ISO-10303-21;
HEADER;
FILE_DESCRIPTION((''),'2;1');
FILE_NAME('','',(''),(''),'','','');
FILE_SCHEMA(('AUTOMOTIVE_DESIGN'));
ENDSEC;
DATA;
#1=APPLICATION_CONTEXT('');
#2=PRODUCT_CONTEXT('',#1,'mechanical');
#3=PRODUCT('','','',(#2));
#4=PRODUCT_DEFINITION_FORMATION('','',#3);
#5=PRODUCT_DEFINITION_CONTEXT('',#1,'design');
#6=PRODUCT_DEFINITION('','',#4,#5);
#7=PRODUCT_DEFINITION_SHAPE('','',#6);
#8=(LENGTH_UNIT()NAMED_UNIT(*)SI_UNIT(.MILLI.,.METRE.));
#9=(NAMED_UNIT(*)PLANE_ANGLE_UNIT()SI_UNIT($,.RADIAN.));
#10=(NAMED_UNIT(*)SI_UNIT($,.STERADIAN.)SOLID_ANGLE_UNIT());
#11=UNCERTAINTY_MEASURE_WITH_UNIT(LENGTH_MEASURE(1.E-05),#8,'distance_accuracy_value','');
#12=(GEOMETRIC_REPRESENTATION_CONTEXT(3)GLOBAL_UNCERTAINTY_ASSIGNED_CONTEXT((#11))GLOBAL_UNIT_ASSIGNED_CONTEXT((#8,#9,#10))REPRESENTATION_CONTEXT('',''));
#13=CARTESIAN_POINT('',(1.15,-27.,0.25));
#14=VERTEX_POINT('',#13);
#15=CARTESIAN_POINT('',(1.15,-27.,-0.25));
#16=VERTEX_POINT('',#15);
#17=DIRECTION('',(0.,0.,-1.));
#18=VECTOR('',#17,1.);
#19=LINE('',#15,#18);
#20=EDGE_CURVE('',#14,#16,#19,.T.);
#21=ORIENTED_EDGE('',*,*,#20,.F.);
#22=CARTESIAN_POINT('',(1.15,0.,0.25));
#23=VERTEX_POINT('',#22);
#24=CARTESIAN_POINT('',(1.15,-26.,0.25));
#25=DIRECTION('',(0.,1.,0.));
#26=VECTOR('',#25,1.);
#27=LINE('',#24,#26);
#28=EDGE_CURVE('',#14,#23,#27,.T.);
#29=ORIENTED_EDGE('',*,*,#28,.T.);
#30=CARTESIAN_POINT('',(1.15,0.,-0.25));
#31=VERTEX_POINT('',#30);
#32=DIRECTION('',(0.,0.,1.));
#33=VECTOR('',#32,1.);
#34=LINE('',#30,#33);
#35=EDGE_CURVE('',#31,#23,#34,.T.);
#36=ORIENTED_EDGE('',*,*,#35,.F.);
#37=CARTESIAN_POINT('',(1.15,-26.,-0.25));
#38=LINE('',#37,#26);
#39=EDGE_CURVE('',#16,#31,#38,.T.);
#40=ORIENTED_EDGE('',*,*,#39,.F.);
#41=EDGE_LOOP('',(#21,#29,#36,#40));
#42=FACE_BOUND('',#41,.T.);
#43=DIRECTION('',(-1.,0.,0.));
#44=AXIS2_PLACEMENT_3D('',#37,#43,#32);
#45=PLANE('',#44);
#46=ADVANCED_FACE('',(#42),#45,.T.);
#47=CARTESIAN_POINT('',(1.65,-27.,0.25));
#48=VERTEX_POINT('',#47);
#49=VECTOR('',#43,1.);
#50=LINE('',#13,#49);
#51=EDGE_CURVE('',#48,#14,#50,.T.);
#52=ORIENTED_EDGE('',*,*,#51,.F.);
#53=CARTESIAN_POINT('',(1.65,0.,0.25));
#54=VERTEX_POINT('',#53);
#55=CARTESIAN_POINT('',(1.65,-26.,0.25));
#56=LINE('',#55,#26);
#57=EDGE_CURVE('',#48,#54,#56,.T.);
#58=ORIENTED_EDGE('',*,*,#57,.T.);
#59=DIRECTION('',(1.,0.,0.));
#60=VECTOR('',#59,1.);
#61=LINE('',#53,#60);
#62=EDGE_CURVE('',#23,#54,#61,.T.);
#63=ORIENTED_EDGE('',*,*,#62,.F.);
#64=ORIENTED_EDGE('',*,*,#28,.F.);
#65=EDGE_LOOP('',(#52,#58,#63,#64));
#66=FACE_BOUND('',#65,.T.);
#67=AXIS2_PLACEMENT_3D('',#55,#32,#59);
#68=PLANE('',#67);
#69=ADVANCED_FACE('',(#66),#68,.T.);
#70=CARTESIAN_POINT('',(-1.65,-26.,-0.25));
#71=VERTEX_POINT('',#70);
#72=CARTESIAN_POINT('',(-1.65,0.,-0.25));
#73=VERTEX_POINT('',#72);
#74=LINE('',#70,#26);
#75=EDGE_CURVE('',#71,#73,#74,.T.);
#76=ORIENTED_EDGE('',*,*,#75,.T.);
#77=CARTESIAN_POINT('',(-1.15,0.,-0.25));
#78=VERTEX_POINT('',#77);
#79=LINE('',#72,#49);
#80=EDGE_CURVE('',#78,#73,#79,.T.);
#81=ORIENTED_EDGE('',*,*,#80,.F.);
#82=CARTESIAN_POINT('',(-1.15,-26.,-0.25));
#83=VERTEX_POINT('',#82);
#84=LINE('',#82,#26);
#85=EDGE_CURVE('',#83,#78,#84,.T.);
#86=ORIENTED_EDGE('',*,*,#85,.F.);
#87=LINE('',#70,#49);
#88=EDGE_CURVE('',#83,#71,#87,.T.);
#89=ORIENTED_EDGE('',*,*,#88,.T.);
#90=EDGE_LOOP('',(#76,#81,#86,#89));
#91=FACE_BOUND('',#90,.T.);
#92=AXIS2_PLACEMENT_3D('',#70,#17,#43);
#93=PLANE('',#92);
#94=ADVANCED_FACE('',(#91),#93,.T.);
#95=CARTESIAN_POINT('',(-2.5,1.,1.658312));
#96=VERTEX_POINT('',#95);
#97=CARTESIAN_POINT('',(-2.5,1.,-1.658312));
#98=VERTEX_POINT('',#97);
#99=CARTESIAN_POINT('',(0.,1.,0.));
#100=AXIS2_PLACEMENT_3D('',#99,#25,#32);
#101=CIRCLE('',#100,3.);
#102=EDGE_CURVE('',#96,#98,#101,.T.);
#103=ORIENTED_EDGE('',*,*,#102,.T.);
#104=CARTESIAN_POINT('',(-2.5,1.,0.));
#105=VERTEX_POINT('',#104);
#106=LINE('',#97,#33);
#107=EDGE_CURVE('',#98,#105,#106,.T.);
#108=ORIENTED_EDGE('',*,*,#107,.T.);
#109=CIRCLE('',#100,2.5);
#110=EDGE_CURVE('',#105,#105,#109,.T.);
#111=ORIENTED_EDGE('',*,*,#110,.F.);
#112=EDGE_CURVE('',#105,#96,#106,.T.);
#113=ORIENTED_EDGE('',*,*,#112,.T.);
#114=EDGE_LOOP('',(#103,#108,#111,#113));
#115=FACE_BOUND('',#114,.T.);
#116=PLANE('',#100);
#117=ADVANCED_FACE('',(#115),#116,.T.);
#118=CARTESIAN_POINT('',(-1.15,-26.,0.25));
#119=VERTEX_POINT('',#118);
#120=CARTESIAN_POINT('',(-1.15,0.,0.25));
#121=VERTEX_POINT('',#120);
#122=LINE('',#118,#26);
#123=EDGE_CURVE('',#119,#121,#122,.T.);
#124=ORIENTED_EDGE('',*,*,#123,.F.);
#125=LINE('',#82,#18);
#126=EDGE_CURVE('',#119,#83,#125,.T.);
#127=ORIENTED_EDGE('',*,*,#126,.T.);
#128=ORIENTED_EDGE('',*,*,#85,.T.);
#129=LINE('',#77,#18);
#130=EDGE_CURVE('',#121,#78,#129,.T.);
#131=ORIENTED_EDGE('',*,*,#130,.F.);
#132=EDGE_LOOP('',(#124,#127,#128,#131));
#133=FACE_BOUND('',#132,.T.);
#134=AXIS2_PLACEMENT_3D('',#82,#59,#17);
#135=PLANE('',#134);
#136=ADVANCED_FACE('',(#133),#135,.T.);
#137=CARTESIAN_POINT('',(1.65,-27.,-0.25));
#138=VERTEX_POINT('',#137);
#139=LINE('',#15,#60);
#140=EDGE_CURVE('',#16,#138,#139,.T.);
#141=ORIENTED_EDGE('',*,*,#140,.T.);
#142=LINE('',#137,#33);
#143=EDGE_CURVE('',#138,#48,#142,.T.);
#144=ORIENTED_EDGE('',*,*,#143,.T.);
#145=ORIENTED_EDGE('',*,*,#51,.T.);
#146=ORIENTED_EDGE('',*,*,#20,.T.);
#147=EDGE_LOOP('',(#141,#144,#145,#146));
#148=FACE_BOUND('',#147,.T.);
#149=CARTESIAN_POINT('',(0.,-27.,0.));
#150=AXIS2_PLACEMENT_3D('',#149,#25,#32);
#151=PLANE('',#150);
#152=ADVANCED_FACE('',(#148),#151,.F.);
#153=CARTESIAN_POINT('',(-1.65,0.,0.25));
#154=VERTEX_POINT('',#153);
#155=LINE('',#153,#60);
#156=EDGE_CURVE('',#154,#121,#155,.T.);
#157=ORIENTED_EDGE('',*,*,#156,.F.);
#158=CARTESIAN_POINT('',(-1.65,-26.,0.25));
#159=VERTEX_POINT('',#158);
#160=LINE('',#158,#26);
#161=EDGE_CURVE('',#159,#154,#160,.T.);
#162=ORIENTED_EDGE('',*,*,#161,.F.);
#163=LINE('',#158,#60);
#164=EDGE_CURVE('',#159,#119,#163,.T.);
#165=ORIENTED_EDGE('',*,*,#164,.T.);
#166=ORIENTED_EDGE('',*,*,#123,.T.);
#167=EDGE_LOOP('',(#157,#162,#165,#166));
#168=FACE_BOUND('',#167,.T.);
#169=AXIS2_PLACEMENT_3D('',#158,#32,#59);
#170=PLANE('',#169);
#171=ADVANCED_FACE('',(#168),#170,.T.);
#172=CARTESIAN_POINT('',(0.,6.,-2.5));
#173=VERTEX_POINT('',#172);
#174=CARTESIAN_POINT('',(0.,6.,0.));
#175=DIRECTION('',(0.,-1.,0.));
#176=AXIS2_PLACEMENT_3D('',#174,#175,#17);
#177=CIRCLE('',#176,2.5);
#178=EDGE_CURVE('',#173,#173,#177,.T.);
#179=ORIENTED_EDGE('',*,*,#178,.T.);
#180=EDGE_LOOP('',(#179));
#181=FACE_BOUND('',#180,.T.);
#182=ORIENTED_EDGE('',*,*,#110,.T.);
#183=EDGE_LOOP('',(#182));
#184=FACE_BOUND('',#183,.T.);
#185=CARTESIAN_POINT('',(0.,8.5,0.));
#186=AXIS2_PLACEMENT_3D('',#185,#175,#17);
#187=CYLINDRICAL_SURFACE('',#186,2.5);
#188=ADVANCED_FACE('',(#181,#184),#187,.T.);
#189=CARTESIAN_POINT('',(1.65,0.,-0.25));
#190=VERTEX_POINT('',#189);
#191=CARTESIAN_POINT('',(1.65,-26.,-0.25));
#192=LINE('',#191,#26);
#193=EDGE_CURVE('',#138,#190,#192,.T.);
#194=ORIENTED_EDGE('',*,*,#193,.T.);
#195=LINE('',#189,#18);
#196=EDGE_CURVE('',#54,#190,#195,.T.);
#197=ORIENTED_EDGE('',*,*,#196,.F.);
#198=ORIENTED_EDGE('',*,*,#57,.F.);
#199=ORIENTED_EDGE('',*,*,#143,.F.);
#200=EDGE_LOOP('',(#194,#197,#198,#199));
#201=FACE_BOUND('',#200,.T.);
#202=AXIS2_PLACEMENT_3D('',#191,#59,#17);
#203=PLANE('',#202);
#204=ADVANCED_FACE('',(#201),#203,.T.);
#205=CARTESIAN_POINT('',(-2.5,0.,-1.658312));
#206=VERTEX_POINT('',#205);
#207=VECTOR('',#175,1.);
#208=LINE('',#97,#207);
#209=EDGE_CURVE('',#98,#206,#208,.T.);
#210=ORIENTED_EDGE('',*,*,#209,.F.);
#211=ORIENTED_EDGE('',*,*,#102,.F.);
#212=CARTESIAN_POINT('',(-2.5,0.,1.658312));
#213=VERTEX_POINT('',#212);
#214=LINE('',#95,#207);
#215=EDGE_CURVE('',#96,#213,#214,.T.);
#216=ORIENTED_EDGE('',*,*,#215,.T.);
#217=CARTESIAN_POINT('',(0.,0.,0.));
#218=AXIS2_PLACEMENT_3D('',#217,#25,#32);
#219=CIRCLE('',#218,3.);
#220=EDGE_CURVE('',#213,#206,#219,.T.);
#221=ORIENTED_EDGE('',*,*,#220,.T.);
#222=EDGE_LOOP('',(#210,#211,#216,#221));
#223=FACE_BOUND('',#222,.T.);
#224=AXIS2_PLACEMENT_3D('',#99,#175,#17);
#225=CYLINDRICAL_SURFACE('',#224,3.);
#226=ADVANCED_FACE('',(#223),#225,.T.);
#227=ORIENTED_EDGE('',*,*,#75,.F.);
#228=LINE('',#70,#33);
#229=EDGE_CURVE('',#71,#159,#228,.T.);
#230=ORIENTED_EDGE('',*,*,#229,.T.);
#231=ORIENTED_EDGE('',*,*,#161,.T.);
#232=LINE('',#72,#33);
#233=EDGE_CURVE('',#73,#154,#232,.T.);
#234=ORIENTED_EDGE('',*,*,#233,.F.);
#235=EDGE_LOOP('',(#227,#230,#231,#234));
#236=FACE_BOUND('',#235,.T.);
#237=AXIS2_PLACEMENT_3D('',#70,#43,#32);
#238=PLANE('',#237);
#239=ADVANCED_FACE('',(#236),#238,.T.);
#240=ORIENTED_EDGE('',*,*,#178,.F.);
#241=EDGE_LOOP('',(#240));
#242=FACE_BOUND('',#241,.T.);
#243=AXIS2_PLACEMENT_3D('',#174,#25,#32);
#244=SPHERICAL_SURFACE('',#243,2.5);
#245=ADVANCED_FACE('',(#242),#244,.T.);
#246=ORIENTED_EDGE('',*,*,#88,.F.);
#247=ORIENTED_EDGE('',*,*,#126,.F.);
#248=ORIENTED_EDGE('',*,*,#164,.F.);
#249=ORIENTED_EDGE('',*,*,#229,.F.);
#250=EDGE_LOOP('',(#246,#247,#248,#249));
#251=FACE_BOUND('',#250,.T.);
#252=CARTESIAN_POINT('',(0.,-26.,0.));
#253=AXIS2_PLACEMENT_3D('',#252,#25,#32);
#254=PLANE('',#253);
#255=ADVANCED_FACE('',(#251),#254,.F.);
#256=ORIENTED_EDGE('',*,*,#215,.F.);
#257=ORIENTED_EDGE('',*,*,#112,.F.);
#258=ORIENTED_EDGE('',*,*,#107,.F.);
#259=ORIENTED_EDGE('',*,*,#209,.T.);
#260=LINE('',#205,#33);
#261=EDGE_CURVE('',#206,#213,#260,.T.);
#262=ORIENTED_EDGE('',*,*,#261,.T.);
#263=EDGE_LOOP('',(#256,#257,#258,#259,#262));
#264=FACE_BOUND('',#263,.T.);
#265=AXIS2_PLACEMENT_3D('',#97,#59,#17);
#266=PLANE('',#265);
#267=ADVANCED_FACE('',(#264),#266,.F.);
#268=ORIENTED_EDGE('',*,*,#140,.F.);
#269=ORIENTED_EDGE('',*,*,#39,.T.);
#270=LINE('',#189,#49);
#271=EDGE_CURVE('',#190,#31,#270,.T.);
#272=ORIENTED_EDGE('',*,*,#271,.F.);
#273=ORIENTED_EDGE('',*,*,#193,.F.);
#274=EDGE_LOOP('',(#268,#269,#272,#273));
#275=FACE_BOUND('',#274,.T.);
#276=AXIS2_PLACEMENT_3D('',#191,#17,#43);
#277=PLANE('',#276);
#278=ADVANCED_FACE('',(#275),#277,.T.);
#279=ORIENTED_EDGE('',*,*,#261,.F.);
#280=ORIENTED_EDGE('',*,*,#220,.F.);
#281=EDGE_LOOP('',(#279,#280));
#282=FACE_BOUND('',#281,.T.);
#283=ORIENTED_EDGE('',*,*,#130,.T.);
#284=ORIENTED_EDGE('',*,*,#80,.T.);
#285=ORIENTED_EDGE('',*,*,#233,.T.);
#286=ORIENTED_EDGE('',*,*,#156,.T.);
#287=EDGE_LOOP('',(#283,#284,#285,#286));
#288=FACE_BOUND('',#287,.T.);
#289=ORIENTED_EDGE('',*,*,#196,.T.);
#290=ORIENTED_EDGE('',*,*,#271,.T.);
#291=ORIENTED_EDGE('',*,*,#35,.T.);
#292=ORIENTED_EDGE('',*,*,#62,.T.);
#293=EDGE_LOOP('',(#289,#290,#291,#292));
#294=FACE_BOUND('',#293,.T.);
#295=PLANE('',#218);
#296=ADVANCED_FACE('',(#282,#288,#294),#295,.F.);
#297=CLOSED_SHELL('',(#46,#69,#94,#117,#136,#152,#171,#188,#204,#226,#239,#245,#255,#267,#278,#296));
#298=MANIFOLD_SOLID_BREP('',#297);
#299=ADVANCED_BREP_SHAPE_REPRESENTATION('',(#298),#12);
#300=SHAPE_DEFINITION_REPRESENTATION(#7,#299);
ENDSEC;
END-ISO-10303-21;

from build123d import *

# Parameters (mm, degrees)
BOSS_EXTRUDE1_DEPTH = 1
SKETCH2_R           = 2.5
BOSS_EXTRUDE2_DEPTH = 7.5
FILLET1_R           = 2.5
SKETCH3_W           = 0.5
SKETCH3_H           = 0.5
BOSS_EXTRUDE3_DEPTH = 26
SKETCH4_W           = 0.5
SKETCH4_H           = 0.5
BOSS_EXTRUDE4_DEPTH = 1


with BuildPart() as part:
    # Sketch1 → Boss-Extrude1 (new body)
    with BuildSketch(Plane(origin=(0, 0, 0), x_dir=(1, 0, 0), z_dir=(0, 1, 0))):
        with BuildLine():
            Line((-2.5, 1.658312395), (-2.5, -1.658312395))
            ThreePointArc((-2.5, -1.658312395), (3, 0), (-2.5, 1.658312395))
        make_face()
    extrude(amount=BOSS_EXTRUDE1_DEPTH)

    # Sketch2 → Boss-Extrude2 (add)
    with BuildSketch(Plane(origin=(0, 1, 0), x_dir=(1, 0, 0), z_dir=(0, 1, 0))):
        with Locations(Location((0, 0, 0), (0, 0, 180))):
            Circle(SKETCH2_R)
    extrude(amount=BOSS_EXTRUDE2_DEPTH)

    # Fillet1
    fillet1_edges = [part.edges().sort_by_distance(p)[0] for p in [
        (2.5, 8.5, 0),
    ]]
    fillet(fillet1_edges, radius=FILLET1_R)

    # Sketch3 → Boss-Extrude3 (add)
    with BuildSketch(Plane(origin=(0, 0, 0), x_dir=(1, 0, 0), z_dir=(0, 1, 0))):
        with Locations((-1.4, 0)):
            Rectangle(SKETCH3_W, SKETCH3_H)
        with Locations((1.4, 0)):
            Rectangle(SKETCH3_W, SKETCH3_H)
    extrude(amount=-BOSS_EXTRUDE3_DEPTH)

    # Sketch4 → Boss-Extrude4 (add)
    with BuildSketch(Plane.XZ.offset(26)):
        with Locations((1.4, 0)):
            Rectangle(SKETCH4_W, SKETCH4_H)
    extrude(amount=BOSS_EXTRUDE4_DEPTH)


solid = part.part
